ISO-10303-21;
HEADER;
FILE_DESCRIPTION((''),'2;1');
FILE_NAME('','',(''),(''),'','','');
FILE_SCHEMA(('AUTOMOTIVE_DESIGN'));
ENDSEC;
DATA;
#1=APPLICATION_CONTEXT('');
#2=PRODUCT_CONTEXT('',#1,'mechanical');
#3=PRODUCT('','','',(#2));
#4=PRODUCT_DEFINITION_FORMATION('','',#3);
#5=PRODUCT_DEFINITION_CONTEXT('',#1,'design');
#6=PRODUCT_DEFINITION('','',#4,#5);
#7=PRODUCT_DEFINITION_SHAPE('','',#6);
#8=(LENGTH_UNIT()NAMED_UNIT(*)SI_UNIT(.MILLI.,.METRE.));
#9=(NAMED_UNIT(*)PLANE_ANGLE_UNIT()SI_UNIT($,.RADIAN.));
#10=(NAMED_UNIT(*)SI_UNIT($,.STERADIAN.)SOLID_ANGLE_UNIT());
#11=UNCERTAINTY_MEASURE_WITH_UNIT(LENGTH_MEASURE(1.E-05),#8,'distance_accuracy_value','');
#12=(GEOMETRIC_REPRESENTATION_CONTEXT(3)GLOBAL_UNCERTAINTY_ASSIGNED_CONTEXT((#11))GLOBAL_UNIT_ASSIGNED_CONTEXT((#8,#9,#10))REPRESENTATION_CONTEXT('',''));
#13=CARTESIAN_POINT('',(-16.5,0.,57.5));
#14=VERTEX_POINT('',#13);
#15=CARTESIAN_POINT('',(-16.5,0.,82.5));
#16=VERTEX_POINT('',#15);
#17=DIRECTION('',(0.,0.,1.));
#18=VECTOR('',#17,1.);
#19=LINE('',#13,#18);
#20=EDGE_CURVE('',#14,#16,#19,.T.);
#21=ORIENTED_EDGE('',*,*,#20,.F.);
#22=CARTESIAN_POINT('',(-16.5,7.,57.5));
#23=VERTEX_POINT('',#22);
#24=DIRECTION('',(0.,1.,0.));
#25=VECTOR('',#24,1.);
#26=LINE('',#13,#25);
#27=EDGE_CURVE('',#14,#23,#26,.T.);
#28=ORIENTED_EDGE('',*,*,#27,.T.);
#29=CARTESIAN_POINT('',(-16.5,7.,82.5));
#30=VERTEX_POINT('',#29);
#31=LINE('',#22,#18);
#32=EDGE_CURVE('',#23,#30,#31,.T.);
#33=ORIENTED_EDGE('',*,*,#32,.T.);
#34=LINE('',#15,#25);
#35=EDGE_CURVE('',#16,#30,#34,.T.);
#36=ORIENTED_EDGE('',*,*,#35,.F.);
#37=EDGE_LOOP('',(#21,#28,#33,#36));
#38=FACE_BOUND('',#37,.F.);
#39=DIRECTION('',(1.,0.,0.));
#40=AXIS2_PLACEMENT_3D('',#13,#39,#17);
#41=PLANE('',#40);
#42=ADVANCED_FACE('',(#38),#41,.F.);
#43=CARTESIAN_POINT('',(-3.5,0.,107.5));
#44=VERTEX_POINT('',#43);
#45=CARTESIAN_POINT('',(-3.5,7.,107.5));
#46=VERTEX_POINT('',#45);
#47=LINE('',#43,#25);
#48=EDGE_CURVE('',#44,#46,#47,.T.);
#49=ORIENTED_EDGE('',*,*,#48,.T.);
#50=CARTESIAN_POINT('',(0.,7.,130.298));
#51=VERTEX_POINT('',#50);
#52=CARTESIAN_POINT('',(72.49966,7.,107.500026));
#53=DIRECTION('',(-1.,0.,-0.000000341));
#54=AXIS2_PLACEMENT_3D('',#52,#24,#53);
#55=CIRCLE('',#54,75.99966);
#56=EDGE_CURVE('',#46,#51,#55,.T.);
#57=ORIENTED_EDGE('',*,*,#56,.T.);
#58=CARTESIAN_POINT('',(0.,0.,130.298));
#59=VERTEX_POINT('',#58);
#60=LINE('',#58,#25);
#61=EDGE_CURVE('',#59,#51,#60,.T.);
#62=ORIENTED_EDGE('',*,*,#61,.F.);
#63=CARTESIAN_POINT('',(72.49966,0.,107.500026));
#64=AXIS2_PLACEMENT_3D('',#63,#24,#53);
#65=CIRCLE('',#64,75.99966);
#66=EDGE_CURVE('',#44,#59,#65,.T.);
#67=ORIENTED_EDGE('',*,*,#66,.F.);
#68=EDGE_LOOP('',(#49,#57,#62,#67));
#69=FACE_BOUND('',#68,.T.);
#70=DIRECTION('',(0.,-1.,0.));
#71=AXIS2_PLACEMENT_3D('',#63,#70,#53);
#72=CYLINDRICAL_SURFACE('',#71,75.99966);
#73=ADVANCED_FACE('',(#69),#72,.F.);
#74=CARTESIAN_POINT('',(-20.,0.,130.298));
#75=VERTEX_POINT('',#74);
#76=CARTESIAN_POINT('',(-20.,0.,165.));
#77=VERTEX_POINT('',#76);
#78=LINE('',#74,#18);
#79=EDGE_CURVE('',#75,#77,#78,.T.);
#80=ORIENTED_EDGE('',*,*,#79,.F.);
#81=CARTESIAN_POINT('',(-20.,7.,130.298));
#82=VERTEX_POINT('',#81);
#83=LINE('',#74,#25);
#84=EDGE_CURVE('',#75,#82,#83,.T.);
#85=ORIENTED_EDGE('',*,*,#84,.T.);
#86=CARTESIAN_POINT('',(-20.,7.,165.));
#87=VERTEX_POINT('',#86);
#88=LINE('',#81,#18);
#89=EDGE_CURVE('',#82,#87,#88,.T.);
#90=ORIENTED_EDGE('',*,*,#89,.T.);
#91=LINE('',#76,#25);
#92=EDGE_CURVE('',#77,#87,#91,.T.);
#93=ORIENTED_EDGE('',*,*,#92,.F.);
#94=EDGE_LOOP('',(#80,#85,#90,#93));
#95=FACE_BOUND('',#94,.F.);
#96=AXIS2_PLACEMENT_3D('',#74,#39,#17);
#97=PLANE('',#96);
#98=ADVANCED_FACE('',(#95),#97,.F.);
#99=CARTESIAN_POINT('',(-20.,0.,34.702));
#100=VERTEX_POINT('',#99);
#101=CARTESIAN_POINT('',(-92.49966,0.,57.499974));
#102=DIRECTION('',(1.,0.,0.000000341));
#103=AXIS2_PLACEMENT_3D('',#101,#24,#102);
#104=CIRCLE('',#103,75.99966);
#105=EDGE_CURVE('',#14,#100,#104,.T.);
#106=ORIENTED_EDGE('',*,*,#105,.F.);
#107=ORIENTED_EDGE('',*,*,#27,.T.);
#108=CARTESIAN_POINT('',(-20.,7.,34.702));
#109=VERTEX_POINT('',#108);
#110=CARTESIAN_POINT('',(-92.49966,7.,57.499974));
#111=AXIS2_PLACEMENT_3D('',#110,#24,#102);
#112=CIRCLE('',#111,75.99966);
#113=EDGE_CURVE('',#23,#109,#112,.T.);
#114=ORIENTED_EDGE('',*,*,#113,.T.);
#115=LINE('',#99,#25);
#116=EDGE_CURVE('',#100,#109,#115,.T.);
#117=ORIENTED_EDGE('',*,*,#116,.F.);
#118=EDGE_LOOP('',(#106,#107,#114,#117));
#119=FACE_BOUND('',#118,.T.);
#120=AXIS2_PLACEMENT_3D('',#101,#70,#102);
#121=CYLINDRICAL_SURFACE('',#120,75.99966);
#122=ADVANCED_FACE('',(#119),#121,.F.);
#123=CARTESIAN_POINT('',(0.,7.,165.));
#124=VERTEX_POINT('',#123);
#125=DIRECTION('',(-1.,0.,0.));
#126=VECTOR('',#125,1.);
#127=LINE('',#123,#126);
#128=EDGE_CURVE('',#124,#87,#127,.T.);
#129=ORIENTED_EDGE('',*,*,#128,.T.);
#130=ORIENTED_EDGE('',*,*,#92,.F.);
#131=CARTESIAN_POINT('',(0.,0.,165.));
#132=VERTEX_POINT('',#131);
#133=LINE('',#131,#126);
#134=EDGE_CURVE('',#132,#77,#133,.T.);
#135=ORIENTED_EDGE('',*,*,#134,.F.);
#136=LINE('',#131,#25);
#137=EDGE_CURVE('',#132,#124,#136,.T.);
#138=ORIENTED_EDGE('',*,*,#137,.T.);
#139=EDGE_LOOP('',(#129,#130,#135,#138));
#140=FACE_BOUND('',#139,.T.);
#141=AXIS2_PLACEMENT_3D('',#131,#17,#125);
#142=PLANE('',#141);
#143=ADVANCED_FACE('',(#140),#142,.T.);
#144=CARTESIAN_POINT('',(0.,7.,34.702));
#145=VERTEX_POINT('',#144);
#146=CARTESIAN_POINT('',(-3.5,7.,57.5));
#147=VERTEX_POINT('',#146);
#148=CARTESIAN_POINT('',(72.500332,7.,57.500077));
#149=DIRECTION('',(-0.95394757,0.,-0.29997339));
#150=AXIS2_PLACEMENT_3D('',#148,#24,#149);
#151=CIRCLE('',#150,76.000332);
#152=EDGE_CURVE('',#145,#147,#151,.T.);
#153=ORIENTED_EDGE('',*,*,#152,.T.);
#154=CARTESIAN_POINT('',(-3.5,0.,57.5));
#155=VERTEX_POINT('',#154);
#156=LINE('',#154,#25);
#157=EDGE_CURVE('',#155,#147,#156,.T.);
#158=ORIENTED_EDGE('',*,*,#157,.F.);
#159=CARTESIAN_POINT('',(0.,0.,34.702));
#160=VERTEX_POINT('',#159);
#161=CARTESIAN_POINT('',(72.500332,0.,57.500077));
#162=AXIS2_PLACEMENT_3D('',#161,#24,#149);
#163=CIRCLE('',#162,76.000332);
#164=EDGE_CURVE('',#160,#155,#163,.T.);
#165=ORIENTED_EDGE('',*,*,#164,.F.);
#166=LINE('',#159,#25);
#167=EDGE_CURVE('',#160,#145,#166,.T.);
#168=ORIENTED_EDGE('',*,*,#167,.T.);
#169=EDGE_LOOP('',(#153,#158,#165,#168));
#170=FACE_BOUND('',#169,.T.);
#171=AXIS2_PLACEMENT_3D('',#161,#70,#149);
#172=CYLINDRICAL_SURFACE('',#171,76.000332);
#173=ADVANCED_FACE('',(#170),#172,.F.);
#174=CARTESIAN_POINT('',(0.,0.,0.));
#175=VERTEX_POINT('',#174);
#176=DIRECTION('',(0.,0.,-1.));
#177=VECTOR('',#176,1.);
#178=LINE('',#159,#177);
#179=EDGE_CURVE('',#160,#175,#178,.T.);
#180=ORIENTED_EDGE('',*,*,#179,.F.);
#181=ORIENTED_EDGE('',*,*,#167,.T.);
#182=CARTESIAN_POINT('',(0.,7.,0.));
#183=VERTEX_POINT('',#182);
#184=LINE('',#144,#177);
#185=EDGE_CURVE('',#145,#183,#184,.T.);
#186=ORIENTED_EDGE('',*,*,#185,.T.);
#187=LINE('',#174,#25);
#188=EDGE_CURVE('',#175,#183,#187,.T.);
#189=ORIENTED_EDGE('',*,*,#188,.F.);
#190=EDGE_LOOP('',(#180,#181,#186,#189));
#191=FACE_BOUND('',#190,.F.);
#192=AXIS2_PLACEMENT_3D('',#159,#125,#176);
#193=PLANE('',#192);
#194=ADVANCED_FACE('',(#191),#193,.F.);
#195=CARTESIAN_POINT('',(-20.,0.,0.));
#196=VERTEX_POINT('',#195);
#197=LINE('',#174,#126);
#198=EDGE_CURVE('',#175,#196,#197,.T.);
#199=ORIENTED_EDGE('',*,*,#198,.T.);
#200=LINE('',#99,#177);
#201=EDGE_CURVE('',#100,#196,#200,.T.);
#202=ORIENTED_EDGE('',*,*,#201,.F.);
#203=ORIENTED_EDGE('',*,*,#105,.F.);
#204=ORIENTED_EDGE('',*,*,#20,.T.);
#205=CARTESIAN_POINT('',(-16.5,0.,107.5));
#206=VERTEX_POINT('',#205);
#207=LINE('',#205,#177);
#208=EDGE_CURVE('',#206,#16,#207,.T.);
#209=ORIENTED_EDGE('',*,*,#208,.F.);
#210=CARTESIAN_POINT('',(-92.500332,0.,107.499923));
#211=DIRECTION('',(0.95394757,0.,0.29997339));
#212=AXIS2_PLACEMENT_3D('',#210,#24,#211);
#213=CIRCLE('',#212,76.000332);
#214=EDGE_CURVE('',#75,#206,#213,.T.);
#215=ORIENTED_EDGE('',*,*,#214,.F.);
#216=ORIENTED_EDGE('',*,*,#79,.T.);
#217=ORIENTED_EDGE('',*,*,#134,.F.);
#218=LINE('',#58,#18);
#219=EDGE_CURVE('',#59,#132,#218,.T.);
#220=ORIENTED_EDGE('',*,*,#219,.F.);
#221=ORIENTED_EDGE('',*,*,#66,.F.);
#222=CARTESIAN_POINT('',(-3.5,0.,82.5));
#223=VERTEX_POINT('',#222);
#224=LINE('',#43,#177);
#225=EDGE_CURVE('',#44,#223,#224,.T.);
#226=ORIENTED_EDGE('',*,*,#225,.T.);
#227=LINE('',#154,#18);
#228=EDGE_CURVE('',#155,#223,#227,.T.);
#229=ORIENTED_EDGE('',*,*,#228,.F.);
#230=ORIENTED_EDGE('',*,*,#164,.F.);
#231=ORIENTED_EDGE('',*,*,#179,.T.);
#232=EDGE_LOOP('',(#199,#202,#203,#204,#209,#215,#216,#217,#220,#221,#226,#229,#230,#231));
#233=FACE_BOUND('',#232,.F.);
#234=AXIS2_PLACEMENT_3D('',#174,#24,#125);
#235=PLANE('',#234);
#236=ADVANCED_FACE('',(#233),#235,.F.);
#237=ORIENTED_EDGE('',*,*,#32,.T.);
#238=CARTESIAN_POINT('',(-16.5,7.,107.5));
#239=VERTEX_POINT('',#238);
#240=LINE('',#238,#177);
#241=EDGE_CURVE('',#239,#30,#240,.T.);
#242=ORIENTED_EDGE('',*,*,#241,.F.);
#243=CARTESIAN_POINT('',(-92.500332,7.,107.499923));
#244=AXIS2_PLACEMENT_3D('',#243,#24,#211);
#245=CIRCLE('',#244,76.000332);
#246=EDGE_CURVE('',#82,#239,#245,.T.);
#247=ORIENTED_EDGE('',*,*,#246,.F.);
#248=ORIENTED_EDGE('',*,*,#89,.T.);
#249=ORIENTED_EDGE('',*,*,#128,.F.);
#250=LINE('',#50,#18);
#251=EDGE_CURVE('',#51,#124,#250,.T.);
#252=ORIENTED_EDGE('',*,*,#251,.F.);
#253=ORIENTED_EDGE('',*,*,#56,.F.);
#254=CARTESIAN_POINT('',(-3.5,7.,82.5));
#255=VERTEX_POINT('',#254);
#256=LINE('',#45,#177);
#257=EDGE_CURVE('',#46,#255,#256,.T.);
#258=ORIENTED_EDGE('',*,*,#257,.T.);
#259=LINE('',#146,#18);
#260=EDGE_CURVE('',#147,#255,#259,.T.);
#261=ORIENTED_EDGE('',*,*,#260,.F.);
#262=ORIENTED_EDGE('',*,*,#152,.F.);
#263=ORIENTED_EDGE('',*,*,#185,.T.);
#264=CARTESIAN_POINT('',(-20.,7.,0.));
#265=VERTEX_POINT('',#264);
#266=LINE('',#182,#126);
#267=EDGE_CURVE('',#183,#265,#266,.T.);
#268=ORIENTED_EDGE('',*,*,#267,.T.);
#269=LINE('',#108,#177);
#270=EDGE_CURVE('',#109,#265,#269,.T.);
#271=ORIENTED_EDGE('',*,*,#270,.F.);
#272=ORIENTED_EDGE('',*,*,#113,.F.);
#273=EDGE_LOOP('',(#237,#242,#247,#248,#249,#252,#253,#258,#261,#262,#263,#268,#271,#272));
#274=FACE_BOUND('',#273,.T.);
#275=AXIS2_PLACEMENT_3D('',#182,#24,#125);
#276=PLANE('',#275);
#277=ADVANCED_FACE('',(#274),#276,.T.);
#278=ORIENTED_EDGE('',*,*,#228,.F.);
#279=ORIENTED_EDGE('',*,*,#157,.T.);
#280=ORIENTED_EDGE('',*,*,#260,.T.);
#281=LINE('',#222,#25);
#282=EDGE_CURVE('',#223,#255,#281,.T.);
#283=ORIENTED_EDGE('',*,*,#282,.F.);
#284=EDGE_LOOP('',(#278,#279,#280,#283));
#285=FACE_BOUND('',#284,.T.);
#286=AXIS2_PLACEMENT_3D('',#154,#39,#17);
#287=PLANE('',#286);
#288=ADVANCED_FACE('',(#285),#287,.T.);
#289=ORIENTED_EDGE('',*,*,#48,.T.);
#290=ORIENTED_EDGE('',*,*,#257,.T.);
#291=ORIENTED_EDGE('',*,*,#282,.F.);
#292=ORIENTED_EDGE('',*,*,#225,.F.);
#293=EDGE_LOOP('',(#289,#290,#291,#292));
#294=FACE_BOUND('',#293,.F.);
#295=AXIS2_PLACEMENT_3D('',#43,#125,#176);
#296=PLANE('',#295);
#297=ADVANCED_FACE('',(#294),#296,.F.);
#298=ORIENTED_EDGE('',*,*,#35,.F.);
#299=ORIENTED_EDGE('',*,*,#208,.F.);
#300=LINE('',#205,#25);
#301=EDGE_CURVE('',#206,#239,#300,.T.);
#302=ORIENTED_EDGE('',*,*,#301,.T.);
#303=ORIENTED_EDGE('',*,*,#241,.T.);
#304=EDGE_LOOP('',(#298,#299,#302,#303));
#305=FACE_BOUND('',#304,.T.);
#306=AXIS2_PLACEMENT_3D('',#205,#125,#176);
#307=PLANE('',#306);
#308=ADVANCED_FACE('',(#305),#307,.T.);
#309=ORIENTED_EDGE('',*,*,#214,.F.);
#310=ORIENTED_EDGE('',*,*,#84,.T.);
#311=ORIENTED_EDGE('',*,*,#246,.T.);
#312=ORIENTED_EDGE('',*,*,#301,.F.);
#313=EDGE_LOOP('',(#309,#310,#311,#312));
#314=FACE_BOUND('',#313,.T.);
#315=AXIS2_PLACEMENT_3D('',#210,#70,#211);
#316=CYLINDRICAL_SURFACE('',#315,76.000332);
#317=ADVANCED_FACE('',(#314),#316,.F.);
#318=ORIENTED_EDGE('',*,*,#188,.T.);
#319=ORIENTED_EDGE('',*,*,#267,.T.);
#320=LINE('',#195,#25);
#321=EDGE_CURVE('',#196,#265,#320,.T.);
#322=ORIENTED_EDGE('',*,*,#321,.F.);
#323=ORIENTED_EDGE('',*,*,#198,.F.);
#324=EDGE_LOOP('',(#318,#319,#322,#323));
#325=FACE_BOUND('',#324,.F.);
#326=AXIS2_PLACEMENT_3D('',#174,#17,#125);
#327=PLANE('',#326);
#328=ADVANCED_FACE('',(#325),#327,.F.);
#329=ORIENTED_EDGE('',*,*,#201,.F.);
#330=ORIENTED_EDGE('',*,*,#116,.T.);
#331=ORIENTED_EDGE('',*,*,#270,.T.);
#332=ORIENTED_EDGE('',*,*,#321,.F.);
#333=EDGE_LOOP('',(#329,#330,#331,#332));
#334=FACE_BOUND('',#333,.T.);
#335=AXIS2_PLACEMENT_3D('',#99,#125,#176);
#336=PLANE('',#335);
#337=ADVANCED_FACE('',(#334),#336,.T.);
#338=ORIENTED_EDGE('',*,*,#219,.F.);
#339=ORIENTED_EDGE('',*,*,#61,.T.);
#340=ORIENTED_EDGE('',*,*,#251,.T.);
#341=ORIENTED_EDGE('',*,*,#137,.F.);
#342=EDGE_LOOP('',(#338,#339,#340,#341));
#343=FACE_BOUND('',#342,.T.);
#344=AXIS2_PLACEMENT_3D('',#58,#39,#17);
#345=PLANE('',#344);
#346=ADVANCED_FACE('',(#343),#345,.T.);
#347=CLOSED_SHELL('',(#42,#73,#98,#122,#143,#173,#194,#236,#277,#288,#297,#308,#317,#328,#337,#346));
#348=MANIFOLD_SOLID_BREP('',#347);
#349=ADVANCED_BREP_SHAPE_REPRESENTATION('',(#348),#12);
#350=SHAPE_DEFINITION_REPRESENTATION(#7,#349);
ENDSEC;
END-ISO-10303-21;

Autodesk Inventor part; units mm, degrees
ref_plane "YZ Plane" through (0, 0, 0) normal (1, 0, 0) x (0, 1, 0)
ref_plane "XZ Plane" through (0, 0, 0) normal (0, 1, 0) x (-1, 0, 0)
ref_plane "XY Plane" through (0, 0, 0) normal (0, 0, 1) x (1, 0, 0)
sketch "Sketch1" plane through (0, 0, 0) normal (0, 1, 0) x (-1, 0, 0)
  line L0 (0, 0) -> (20, 0)
  line L1 (3.5, 57.5) -> (3.5, 82.5)
  line L2 (16.5, 57.5) -> (16.5, 82.5)
  arc A0 (16.5, 57.5) -> (20, 34.702) centre (92.5, 57.5) ccw
  arc A1 (0, 34.702) -> (3.5, 57.5) centre (-72.5, 57.5) ccw
  line L3 (3.5, 82.5) -> (16.5, 82.5) construction
  line L4 (0, 34.702) -> (0, 0)
  line L5 (20, 34.702) -> (20, 0)
  line L6 (0, 165) -> (20, 165)
  line L7 (3.5, 107.5) -> (3.5, 82.5)
  line L8 (16.5, 107.5) -> (16.5, 82.5)
  arc A2 (20, 130.298) -> (16.5, 107.5) centre (92.5, 107.5) ccw
  arc A3 (3.5, 107.5) -> (0, 130.298) centre (-72.5, 107.5) ccw
  line L9 (0, 130.298) -> (0, 165)
  line L10 (20, 130.298) -> (20, 165)
  dimension "d2" = 20
  dimension "d5" = 76
  dimension "d6" = 76
  dimension "d7" = 82.5
  dimension "d8" = 13
  dimension "d9" = 25
extrude "Extrusion1" add sketch "Sketch1" along normal blind 7
properties part number "ASTM D638-10-1"
